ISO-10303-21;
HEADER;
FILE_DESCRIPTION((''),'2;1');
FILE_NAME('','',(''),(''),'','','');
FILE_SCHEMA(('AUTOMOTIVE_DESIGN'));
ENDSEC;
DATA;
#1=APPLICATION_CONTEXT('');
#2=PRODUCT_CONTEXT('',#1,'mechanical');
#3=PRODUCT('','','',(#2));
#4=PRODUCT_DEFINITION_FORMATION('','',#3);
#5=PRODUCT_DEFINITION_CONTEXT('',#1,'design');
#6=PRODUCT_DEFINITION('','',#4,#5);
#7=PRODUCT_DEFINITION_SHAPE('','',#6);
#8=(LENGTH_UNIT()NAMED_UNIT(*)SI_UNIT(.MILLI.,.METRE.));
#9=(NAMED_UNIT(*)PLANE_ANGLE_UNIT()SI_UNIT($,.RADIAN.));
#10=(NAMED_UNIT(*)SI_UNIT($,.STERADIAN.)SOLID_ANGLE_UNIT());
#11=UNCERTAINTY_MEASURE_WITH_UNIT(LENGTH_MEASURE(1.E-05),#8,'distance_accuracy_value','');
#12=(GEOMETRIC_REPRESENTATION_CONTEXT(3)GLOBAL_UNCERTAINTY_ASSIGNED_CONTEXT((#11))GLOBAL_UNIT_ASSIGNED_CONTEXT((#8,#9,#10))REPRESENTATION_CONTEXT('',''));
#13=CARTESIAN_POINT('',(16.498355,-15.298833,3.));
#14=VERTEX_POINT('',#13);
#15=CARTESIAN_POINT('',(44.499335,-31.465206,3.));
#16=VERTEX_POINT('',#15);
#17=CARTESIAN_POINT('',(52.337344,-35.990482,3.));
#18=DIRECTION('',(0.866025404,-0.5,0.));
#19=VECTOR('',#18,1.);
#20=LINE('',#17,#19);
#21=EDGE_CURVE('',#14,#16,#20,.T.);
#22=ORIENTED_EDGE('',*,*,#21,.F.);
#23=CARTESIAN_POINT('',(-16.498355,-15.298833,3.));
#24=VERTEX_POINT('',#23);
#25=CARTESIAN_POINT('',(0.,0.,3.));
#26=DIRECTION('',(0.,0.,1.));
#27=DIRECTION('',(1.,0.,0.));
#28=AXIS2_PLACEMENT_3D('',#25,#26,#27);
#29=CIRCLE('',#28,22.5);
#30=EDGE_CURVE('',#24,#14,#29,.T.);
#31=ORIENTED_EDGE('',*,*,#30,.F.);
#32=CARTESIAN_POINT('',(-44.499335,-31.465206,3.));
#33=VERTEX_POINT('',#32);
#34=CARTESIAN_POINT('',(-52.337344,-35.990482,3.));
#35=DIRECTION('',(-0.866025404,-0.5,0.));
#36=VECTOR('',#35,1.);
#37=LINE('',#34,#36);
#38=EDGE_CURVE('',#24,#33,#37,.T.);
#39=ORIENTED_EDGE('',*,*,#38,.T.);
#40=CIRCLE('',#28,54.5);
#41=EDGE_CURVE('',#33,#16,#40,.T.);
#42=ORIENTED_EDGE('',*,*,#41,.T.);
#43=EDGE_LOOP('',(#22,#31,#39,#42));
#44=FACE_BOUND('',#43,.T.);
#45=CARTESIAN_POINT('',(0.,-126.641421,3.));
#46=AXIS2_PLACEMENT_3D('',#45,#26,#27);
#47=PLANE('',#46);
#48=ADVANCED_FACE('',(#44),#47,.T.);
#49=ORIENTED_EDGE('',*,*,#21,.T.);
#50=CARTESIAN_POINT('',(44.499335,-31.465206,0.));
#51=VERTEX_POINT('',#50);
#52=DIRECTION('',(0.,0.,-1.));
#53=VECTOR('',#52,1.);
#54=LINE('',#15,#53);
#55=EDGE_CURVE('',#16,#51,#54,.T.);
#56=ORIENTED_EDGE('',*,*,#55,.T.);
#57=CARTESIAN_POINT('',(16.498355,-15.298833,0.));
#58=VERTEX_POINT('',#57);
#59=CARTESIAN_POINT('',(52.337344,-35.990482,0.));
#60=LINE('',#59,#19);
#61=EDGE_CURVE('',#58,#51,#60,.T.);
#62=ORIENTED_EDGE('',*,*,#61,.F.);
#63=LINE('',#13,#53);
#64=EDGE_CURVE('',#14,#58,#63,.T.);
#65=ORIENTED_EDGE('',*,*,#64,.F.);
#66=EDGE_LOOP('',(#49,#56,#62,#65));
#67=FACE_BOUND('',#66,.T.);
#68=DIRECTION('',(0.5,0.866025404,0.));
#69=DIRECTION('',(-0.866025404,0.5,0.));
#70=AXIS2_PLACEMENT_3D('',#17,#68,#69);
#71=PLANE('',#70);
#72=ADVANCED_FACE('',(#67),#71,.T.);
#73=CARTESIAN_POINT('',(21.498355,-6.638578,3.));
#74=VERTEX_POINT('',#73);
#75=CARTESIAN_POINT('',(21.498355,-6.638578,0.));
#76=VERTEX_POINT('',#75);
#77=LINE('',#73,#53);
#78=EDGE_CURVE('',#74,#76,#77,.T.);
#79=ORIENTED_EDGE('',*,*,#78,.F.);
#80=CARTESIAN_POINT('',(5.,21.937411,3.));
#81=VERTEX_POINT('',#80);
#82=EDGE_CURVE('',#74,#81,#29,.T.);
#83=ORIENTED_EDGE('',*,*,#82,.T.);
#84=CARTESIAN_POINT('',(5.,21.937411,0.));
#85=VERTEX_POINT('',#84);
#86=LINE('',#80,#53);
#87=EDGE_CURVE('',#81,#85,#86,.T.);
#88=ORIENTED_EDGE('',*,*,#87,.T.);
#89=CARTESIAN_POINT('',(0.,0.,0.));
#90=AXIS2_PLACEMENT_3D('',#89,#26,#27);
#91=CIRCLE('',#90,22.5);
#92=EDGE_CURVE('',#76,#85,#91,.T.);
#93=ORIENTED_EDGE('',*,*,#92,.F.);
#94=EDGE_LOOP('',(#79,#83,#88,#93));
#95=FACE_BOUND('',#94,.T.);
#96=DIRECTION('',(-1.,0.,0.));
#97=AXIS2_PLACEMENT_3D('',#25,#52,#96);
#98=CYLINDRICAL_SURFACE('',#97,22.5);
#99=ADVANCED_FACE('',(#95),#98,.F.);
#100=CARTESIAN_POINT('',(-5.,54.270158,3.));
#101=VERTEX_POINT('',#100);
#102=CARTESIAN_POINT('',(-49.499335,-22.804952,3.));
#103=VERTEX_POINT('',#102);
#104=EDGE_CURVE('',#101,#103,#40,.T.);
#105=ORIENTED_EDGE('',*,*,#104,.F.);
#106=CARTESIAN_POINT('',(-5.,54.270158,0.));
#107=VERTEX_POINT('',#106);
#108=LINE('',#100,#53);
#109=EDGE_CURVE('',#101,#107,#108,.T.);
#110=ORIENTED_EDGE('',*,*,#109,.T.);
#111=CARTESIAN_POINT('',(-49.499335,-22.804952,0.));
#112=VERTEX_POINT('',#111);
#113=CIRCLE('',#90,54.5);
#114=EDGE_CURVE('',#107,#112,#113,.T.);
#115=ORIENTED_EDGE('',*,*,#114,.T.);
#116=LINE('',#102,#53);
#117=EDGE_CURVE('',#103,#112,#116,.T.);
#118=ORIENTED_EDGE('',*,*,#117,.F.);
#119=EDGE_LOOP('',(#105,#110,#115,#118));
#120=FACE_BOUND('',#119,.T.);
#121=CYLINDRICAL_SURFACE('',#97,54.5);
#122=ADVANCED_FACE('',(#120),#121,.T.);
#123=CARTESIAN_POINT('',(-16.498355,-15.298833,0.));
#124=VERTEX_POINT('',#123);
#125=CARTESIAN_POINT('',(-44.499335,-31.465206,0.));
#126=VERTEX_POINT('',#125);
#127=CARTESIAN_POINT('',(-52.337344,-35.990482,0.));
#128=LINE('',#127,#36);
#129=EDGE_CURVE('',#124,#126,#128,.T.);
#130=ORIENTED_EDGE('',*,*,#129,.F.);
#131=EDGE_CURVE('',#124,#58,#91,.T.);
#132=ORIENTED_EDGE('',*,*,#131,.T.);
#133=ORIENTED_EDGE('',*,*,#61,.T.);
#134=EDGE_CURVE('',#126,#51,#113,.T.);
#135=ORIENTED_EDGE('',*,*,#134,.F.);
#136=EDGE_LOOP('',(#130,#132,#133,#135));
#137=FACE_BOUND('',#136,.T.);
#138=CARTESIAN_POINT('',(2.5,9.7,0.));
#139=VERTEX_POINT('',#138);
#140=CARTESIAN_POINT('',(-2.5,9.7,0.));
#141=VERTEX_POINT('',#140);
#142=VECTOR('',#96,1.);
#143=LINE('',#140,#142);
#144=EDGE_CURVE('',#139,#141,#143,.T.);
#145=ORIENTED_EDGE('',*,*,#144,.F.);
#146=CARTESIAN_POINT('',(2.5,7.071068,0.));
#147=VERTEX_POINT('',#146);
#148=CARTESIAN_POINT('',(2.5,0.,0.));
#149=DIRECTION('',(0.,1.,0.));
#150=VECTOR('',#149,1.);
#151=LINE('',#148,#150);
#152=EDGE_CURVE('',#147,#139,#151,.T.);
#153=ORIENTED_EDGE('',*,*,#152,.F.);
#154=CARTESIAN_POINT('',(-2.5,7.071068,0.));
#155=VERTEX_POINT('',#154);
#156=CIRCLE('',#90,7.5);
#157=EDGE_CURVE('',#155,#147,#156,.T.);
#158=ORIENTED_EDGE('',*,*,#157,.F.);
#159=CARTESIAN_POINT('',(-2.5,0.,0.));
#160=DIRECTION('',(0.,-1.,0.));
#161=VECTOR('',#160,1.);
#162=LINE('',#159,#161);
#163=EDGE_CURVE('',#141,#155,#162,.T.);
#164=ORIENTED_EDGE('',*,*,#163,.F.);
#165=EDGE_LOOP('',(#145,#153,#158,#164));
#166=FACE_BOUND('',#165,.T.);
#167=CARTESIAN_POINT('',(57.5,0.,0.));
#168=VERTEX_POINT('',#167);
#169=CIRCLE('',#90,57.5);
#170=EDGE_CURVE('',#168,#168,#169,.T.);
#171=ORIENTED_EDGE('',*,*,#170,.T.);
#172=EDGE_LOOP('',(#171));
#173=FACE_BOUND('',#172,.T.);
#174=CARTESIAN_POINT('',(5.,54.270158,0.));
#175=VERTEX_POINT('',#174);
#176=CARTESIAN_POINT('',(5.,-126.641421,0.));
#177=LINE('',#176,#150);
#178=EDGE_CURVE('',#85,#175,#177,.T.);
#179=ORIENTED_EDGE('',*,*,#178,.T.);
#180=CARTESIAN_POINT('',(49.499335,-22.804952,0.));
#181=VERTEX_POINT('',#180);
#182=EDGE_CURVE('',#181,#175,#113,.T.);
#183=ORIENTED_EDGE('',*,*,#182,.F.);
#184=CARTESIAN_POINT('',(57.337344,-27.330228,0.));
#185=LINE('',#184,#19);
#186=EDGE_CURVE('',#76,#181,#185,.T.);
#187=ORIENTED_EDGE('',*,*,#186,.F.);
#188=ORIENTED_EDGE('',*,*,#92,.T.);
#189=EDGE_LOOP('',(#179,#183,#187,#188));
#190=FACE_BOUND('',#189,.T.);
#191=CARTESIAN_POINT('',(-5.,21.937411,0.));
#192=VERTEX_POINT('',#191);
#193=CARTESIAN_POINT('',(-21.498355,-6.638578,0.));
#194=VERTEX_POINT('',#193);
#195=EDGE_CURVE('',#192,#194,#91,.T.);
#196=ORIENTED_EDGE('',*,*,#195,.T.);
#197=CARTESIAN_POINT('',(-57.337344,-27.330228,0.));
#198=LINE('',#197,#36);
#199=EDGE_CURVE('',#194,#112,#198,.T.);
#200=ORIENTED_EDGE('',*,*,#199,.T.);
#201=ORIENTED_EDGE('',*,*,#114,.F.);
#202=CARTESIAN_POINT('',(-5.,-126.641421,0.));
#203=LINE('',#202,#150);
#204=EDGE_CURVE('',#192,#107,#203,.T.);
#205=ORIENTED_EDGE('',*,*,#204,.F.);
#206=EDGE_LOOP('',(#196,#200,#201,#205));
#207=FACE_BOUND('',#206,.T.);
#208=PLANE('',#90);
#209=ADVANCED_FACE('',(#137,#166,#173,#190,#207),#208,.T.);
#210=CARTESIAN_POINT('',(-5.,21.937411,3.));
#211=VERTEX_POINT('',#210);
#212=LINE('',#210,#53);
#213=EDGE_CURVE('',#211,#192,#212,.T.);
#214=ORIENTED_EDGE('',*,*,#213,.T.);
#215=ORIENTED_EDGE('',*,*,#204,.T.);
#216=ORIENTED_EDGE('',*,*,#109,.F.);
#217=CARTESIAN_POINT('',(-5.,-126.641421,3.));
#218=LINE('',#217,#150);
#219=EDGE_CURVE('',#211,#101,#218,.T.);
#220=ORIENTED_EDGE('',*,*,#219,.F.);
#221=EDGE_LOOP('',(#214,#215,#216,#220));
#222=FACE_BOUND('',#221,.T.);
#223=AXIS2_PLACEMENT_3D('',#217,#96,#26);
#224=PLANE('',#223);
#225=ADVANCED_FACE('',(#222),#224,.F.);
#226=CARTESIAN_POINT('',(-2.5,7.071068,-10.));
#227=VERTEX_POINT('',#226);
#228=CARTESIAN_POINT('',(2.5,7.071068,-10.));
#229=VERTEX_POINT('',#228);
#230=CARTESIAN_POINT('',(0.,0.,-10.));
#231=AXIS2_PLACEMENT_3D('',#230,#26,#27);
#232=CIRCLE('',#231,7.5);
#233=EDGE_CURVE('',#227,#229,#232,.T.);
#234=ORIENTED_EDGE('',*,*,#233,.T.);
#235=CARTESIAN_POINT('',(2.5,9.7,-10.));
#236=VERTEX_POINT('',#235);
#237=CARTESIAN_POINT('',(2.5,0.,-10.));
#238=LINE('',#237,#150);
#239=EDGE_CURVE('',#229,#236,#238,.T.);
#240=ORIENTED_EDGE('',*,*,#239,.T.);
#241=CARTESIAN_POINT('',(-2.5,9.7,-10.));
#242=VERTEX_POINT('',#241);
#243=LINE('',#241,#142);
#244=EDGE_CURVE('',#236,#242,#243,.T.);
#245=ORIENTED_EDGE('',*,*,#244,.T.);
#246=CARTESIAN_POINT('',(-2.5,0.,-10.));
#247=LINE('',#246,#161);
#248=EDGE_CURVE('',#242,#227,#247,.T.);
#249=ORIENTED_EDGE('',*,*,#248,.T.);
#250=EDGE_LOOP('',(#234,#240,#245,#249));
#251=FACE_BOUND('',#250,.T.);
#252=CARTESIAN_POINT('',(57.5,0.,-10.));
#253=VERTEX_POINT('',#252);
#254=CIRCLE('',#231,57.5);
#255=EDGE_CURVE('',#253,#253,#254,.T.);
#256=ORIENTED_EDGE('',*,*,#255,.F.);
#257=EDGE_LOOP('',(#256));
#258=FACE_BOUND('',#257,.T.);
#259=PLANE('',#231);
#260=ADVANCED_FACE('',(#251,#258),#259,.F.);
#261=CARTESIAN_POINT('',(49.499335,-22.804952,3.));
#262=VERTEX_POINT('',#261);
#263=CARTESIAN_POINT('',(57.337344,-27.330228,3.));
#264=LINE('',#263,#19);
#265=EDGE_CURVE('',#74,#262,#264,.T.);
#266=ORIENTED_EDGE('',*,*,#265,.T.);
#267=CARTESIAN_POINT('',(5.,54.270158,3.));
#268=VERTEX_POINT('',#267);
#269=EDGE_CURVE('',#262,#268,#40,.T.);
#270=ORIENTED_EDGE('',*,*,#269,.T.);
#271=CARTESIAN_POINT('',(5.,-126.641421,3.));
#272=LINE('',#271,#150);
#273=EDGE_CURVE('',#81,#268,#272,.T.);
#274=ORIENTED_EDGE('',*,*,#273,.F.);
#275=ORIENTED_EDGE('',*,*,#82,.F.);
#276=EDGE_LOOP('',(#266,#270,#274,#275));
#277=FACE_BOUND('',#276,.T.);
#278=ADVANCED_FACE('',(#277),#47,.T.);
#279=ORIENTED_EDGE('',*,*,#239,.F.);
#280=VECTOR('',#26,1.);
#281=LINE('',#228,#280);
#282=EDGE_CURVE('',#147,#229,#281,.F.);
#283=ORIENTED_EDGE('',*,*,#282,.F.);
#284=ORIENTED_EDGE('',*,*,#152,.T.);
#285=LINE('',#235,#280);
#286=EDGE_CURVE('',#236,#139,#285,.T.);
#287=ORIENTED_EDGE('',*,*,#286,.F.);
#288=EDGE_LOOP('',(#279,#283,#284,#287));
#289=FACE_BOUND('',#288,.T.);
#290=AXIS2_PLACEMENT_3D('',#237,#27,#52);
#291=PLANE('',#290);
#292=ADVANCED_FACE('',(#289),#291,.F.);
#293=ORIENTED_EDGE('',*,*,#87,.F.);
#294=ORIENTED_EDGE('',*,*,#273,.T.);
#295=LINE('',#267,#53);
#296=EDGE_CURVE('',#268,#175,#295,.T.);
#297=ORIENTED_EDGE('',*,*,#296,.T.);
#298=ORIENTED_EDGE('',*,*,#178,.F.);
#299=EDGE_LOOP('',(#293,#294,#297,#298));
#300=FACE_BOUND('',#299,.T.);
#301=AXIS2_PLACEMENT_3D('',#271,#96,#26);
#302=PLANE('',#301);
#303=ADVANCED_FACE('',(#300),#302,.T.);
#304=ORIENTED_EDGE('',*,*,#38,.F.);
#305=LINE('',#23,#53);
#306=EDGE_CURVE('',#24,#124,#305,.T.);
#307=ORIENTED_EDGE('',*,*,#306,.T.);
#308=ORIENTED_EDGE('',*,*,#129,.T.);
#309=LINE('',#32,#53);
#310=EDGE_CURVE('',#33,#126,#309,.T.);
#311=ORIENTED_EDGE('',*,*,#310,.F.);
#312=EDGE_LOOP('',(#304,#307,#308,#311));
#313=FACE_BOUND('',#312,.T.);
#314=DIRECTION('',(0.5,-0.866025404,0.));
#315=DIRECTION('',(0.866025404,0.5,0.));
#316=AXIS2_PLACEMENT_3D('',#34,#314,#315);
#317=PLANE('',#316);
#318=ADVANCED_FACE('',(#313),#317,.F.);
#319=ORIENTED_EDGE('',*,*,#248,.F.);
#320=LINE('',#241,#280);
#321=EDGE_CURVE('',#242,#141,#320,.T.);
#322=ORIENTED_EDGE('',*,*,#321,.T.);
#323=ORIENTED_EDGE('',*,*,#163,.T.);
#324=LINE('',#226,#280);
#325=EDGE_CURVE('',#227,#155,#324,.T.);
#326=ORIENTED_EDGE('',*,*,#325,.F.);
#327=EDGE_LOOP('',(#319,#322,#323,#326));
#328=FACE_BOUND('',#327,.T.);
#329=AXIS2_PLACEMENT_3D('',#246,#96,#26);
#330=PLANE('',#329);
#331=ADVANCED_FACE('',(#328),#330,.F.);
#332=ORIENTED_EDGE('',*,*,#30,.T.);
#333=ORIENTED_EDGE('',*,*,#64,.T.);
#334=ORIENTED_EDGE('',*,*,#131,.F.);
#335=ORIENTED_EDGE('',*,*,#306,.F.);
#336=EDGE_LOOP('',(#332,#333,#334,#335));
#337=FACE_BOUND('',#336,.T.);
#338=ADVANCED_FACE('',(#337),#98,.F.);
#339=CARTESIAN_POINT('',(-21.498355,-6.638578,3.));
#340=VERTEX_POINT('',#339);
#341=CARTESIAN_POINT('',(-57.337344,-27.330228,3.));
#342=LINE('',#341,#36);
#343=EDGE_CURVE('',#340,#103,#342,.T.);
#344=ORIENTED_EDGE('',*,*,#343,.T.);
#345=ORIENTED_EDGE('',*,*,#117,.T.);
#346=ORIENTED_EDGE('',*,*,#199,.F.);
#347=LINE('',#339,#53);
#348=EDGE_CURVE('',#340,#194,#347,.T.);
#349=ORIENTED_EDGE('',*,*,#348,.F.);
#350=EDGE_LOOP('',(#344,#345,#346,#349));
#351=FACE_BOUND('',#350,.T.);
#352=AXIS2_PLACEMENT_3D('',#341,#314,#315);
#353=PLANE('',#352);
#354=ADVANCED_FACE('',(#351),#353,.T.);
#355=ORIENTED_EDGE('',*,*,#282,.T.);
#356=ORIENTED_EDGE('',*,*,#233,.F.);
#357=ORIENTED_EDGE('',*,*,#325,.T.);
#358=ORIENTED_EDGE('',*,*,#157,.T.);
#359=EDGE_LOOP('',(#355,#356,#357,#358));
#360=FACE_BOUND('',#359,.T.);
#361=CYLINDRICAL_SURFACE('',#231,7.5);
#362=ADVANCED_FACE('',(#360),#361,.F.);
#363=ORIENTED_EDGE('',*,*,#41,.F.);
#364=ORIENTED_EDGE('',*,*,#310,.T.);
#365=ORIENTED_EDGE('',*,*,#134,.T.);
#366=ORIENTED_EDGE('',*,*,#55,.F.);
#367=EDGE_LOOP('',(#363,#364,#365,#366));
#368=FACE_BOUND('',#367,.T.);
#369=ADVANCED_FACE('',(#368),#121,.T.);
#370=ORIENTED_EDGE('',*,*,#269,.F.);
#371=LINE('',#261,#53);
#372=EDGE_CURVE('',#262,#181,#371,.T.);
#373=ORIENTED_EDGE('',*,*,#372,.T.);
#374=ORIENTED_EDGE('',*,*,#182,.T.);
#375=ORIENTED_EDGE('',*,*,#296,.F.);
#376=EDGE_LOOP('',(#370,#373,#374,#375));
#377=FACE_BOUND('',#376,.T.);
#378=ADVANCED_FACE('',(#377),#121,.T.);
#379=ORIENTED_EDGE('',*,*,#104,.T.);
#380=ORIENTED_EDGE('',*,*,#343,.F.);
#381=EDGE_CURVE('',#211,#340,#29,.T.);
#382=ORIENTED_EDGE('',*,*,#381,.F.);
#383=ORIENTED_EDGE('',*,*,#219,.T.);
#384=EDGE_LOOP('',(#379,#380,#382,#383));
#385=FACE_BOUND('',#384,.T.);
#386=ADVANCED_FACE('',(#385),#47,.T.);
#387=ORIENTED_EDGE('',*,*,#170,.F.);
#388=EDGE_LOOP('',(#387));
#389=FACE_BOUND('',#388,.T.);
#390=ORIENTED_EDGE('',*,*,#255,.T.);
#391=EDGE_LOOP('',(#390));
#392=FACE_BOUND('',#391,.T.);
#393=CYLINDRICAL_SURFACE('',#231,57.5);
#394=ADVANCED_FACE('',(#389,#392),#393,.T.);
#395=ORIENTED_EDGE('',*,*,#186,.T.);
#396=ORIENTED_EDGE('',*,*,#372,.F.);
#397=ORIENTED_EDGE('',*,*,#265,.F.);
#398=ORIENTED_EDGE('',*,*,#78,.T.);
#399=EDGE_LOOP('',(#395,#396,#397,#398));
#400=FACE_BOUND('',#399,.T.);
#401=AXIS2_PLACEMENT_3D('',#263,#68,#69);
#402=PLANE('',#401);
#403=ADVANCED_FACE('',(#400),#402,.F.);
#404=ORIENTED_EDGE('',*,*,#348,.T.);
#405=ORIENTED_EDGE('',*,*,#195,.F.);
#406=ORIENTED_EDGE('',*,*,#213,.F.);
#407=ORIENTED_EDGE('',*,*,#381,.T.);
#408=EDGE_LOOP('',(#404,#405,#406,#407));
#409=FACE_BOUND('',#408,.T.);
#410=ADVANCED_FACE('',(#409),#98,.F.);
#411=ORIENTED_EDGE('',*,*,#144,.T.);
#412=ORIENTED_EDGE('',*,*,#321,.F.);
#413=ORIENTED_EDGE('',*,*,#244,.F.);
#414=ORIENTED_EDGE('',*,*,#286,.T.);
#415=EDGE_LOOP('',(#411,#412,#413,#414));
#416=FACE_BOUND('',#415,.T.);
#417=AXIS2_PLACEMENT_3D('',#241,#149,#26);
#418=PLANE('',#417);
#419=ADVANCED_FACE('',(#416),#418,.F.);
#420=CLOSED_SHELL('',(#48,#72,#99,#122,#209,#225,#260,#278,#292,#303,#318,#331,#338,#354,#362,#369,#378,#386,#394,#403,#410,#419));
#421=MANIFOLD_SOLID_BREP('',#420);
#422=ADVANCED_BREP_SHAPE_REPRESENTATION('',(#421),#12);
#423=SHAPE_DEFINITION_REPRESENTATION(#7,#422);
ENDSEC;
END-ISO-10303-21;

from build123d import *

# Parameters (mm, degrees)
ESBO_O1_R             = 57.5
ESBO_O1_R_2           = 7.5
EXTRUS_O1_DEPTH       = 10
EXTRUS_O2_DEPTH       = 3
ESBO_O3_W             = 5
ESBO_O3_H             = 9.7
CORTE_EXTRUS_O1_DEPTH = 82.929848041


with BuildPart() as part:
    # Esboço1 → Extrusão1 (new body)
    with BuildSketch(Plane.XY):
        Circle(ESBO_O1_R)
        Circle(ESBO_O1_R_2, mode=Mode.SUBTRACT)
    extrude(amount=-EXTRUS_O1_DEPTH)

    # Esboço2 → Extrusão2 (add)
    with BuildSketch(Plane.XY):
        with BuildLine():
            Line((5, 54.270157545), (5, 21.937410968))
            ThreePointArc((5, 21.937410968), (17.589059099, 14.0312152), (22.5, 0))
            ThreePointArc((22.5, 0), (22.248179609, -3.35685926), (21.498355192, -6.638578465))
            Line((21.498355192, -6.638578465), (49.499335102, -22.804951754))
            ThreePointArc((49.499335102, -22.804951754), (53.235156443, -11.673393615), (54.5, 0))
            ThreePointArc((54.5, 0), (40.266301047, 36.72703364), (5, 54.270157545))
        make_face()
        with BuildLine():
            ThreePointArc((-21.498355192, -6.638578465), (-19.485571585, 11.25), (-5, 21.937410968))
            Line((-5, 21.937410968), (-5, 54.270157545))
            ThreePointArc((-5, 54.270157545), (-47.198384506, 27.25), (-49.499335102, -22.804951754))
            Line((-49.499335102, -22.804951754), (-21.498355192, -6.638578465))
        make_face()
        with BuildLine():
            Line((44.499335102, -31.465205792), (16.498355192, -15.298832503))
            ThreePointArc((16.498355192, -15.298832503), (0, -22.5), (-16.498355192, -15.298832503))
            Line((-16.498355192, -15.298832503), (-44.499335102, -31.465205792))
            ThreePointArc((-44.499335102, -31.465205792), (0, -54.5), (44.499335102, -31.465205792))
        make_face()
    extrude(amount=EXTRUS_O2_DEPTH)

    # Esboço3 → Corte-extrusão1 (cut, through all)
    with BuildSketch(Plane.XY):
        with Locations((0, 4.85)):
            Rectangle(ESBO_O3_W, ESBO_O3_H)
    extrude(amount=-CORTE_EXTRUS_O1_DEPTH, mode=Mode.SUBTRACT)


solid = part.part
